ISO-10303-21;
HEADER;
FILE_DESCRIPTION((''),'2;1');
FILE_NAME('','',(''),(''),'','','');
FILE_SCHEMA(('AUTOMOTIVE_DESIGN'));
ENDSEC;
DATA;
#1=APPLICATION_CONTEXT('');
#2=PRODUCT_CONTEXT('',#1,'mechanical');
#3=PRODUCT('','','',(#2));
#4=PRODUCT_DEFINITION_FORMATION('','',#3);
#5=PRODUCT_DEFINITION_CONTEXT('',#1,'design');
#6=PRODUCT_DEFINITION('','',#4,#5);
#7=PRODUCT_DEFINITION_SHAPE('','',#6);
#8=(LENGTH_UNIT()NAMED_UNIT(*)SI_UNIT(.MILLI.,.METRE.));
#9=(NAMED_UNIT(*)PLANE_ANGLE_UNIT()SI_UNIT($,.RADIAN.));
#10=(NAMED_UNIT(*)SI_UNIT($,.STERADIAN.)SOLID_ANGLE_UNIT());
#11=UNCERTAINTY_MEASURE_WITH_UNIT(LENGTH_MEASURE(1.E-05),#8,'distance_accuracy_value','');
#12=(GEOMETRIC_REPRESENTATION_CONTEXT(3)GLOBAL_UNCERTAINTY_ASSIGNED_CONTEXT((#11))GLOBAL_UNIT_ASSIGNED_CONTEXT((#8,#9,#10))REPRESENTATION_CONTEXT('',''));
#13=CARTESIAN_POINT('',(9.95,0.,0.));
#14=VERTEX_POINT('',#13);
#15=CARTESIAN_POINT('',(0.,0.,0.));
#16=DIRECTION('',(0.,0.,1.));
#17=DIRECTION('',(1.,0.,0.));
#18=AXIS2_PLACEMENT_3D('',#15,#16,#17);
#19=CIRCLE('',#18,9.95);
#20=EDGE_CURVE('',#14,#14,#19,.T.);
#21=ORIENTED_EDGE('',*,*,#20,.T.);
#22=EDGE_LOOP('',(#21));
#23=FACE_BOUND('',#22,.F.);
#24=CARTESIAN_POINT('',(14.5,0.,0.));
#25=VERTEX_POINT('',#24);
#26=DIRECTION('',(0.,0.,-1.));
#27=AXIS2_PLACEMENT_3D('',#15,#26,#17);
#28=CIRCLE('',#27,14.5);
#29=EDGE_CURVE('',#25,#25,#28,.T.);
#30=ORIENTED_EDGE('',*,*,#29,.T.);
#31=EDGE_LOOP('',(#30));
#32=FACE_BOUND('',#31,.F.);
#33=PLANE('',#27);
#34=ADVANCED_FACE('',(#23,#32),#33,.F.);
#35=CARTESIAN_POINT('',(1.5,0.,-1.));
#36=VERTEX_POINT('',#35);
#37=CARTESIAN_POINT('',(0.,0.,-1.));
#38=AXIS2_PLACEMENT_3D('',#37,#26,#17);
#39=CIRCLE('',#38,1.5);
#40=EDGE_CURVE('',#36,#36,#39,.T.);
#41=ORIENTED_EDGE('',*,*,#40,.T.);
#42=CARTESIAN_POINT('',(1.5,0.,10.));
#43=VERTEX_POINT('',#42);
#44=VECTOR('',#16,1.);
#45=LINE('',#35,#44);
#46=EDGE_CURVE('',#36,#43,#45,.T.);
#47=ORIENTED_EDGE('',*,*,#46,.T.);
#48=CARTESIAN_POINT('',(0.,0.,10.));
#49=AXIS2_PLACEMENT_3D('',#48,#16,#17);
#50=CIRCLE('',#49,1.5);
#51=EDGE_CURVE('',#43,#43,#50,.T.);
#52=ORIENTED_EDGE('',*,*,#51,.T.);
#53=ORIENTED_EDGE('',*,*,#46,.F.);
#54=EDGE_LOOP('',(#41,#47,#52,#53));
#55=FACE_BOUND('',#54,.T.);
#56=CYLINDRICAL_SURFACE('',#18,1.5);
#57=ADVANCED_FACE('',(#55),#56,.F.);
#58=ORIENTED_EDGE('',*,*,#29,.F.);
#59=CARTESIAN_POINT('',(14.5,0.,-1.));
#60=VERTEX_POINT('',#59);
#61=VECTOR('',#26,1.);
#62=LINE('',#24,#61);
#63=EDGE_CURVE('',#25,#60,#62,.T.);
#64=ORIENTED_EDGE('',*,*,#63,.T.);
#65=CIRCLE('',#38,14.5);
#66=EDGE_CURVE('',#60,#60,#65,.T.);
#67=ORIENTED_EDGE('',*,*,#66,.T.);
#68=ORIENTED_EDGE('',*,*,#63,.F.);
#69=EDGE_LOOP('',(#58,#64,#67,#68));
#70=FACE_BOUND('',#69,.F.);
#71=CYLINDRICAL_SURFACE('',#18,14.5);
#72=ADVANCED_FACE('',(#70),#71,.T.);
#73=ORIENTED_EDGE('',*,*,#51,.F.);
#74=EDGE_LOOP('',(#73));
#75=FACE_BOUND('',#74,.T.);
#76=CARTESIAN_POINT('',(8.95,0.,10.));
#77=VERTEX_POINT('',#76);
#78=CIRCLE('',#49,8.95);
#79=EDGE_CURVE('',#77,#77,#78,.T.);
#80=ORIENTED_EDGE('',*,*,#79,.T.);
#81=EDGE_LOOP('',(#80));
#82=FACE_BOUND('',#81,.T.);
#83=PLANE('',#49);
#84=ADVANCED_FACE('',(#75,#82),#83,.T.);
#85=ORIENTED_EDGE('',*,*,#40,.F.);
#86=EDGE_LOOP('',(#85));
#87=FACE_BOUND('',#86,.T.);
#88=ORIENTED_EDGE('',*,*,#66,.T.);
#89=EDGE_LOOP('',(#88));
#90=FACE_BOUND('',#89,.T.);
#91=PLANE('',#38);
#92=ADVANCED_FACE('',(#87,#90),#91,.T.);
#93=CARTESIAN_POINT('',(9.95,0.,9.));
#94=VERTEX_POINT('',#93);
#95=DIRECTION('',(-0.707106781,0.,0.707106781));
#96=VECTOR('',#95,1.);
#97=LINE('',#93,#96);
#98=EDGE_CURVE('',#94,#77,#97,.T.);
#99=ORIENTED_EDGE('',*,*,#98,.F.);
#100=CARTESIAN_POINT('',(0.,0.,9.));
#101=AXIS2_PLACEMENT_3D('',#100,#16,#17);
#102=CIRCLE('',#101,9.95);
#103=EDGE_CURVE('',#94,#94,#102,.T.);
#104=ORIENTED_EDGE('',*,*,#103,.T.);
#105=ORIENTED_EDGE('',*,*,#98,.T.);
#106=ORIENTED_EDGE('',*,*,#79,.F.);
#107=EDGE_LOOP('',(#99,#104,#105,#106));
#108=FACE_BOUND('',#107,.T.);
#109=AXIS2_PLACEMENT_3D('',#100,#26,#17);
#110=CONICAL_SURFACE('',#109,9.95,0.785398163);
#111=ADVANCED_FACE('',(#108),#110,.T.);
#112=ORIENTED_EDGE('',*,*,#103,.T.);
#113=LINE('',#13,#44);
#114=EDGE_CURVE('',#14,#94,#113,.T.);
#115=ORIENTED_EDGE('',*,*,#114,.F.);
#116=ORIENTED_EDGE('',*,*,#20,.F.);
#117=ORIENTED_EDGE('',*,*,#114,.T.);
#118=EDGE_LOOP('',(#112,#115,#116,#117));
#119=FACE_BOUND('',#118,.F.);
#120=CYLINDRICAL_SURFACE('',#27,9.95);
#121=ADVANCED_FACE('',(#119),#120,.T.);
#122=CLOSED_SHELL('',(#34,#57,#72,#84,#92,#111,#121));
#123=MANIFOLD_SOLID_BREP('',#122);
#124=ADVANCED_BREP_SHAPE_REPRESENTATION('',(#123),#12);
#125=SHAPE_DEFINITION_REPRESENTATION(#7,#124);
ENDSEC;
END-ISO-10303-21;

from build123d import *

# Parameters (mm, degrees)
SKETCH_R      = 9.95
SKETCH_R_2    = 1.5
PAD_DEPTH     = 10
CHAMFER_SIZE  = 1
SKETCH001_R   = 14.5
SKETCH001_R_2 = 1.5
PAD001_DEPTH  = 1


with BuildPart() as part:
    # Sketch → Pad (new body)
    with BuildSketch(Plane.XY):
        Circle(SKETCH_R)
        Circle(SKETCH_R_2, mode=Mode.SUBTRACT)
    extrude(amount=PAD_DEPTH)

    # Chamfer
    chamfer_edges = [part.edges().sort_by_distance(p)[0] for p in [
        (-9.95, 0, 10),
    ]]
    chamfer(chamfer_edges, length=CHAMFER_SIZE)

    # Sketch001 (on Face3 of Chamfer) → Pad001 (join)
    with BuildSketch(Plane(origin=(0, 0, 0), x_dir=(1, 0, 0), z_dir=(0, 0, -1))):
        Circle(SKETCH001_R)
        Circle(SKETCH001_R_2, mode=Mode.SUBTRACT)
    extrude(amount=PAD001_DEPTH)


solid = part.part
